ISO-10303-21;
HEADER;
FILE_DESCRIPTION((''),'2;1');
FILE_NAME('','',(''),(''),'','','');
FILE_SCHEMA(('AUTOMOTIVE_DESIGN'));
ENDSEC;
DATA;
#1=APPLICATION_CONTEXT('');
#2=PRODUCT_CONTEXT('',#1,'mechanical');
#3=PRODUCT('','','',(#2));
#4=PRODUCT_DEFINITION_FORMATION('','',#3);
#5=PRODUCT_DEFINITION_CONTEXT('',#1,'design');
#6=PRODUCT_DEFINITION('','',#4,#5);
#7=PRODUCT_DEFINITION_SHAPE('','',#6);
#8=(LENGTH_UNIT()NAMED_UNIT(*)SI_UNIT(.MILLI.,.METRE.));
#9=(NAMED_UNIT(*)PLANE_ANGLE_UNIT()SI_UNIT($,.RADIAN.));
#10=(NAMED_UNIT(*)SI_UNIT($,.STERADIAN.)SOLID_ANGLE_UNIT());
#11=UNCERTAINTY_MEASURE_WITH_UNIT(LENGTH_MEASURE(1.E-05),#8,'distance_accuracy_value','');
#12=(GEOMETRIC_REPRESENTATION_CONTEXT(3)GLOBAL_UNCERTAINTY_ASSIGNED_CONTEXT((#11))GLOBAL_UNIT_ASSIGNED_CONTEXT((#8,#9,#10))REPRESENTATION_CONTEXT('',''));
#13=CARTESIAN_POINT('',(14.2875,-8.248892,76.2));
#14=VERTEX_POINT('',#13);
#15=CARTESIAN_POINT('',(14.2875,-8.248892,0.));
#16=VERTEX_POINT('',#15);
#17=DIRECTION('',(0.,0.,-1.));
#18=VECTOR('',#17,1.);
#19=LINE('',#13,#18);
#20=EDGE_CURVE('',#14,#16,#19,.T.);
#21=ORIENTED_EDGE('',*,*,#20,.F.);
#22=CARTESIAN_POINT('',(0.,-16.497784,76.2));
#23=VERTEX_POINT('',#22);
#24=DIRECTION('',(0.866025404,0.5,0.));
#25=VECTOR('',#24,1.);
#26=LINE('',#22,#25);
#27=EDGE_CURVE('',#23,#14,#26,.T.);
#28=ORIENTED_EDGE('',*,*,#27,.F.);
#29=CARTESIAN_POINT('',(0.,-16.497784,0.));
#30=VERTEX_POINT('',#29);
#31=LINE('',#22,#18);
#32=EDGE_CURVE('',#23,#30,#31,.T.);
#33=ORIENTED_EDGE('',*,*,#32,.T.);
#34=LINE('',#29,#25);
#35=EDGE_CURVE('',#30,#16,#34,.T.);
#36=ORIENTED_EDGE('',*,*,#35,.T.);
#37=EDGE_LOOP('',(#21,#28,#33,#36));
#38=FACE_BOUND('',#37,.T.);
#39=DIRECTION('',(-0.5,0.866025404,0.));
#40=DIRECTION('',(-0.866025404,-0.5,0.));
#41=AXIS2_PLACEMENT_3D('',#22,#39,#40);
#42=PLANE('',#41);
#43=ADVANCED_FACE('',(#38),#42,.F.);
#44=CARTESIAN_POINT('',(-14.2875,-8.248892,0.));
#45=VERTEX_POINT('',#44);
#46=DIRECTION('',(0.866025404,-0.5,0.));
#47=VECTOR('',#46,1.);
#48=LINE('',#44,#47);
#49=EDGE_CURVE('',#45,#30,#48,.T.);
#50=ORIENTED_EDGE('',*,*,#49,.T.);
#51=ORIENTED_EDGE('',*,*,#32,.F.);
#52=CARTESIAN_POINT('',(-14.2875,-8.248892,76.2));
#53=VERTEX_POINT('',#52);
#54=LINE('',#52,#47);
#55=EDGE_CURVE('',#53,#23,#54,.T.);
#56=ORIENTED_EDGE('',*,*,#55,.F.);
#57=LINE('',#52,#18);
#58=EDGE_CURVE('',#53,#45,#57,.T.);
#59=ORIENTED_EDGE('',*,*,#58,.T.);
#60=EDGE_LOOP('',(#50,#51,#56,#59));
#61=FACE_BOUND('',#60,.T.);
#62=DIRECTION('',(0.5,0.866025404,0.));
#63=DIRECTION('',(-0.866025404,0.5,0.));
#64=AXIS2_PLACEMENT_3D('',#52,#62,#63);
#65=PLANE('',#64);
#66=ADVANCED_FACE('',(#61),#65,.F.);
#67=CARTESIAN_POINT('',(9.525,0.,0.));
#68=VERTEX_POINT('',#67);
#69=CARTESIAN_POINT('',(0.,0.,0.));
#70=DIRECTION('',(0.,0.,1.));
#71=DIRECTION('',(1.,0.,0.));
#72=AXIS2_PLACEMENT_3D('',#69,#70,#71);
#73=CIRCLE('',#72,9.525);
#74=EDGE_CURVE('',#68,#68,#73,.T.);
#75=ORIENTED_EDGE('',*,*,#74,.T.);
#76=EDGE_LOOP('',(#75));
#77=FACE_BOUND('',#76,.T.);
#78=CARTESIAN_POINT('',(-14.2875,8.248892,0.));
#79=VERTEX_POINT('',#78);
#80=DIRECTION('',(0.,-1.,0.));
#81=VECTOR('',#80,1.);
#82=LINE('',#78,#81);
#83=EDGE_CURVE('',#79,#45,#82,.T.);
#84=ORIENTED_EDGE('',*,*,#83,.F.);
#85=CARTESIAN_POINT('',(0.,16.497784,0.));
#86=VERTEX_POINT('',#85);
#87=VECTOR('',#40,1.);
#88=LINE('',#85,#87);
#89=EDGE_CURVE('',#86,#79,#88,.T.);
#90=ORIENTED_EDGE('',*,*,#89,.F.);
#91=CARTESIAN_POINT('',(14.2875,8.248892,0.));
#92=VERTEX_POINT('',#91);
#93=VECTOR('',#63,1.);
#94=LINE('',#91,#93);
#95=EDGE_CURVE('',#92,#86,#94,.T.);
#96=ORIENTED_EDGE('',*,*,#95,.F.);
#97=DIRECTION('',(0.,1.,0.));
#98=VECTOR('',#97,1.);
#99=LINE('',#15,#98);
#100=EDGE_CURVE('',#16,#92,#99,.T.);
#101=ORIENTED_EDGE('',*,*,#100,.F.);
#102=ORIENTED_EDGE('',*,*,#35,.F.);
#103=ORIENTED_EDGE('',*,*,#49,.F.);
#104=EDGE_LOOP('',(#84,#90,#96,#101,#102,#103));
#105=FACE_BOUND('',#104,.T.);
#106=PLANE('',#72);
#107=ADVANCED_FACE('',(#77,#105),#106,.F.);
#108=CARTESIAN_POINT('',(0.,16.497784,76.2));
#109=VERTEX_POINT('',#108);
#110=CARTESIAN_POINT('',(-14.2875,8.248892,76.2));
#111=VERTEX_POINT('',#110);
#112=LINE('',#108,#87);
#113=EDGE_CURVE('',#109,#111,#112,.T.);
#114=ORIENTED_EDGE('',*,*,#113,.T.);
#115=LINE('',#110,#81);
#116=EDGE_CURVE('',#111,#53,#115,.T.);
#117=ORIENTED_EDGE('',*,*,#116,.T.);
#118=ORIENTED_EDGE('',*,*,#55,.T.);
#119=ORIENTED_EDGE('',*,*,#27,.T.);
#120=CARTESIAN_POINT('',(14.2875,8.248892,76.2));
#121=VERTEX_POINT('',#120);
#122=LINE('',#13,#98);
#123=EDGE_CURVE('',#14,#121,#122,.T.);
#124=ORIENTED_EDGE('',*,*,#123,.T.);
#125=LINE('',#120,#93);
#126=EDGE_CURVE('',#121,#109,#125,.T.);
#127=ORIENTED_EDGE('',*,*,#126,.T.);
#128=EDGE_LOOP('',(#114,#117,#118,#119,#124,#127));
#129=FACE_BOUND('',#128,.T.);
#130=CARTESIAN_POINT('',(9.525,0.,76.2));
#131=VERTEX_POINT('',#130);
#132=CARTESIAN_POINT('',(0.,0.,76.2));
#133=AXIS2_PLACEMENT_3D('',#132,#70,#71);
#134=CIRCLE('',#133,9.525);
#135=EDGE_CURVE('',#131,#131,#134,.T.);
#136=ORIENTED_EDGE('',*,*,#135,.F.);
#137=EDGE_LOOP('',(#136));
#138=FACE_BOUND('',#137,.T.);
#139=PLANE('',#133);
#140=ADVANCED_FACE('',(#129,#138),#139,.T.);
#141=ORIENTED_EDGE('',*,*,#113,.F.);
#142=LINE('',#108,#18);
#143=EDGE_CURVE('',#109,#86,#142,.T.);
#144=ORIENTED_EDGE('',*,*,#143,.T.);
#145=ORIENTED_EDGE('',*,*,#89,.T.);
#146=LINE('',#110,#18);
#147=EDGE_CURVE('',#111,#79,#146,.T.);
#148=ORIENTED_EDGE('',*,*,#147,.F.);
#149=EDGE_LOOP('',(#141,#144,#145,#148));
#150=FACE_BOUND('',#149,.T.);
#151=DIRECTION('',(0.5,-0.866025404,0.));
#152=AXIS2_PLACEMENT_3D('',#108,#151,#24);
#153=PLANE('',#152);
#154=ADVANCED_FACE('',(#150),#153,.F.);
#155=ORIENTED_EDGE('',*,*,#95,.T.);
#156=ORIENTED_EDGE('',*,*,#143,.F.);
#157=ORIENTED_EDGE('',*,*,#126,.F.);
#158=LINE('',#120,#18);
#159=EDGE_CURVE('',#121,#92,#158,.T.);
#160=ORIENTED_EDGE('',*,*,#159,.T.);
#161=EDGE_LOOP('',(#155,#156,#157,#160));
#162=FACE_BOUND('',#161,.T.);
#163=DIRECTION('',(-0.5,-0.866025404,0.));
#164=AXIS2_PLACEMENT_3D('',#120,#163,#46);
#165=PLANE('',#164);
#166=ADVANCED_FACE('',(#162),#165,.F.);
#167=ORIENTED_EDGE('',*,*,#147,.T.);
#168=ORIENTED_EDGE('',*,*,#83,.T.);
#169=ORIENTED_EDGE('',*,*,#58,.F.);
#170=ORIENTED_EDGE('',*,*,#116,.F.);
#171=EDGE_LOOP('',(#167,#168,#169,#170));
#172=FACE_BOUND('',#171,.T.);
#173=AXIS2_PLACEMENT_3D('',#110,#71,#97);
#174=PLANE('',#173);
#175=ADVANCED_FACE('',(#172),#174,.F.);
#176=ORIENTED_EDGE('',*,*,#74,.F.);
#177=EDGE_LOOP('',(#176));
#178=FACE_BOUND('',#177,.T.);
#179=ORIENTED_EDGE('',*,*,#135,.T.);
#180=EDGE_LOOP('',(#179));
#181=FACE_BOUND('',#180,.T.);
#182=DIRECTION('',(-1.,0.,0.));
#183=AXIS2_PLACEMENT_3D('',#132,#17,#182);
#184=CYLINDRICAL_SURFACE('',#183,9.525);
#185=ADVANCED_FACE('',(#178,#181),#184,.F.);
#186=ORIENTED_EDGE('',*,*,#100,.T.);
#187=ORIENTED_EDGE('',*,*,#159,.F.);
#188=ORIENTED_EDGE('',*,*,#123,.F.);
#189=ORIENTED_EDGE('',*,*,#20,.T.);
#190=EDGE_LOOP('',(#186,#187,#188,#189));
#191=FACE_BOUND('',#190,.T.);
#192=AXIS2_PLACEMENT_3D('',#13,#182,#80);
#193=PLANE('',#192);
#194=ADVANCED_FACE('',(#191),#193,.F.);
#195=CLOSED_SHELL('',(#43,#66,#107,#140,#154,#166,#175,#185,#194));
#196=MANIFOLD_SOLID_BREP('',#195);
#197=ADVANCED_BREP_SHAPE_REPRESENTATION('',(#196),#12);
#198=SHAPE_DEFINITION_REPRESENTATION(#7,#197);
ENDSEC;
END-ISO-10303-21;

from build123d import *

# Parameters (mm, degrees)
SKETCH1_R           = 9.525
BOSS_EXTRUDE1_DEPTH = 76.2


with BuildPart() as part:
    # Sketch1 → Boss-Extrude1 (new body)
    with BuildSketch(Plane.XY):
        Polygon((14.2875, -8.248891971), (14.2875, 8.248891971), (0, 16.497783942), (-14.2875, 8.248891971), (-14.2875, -8.248891971), (0, -16.497783942), align=None)
        Circle(SKETCH1_R, mode=Mode.SUBTRACT)
    extrude(amount=BOSS_EXTRUDE1_DEPTH)


solid = part.part
